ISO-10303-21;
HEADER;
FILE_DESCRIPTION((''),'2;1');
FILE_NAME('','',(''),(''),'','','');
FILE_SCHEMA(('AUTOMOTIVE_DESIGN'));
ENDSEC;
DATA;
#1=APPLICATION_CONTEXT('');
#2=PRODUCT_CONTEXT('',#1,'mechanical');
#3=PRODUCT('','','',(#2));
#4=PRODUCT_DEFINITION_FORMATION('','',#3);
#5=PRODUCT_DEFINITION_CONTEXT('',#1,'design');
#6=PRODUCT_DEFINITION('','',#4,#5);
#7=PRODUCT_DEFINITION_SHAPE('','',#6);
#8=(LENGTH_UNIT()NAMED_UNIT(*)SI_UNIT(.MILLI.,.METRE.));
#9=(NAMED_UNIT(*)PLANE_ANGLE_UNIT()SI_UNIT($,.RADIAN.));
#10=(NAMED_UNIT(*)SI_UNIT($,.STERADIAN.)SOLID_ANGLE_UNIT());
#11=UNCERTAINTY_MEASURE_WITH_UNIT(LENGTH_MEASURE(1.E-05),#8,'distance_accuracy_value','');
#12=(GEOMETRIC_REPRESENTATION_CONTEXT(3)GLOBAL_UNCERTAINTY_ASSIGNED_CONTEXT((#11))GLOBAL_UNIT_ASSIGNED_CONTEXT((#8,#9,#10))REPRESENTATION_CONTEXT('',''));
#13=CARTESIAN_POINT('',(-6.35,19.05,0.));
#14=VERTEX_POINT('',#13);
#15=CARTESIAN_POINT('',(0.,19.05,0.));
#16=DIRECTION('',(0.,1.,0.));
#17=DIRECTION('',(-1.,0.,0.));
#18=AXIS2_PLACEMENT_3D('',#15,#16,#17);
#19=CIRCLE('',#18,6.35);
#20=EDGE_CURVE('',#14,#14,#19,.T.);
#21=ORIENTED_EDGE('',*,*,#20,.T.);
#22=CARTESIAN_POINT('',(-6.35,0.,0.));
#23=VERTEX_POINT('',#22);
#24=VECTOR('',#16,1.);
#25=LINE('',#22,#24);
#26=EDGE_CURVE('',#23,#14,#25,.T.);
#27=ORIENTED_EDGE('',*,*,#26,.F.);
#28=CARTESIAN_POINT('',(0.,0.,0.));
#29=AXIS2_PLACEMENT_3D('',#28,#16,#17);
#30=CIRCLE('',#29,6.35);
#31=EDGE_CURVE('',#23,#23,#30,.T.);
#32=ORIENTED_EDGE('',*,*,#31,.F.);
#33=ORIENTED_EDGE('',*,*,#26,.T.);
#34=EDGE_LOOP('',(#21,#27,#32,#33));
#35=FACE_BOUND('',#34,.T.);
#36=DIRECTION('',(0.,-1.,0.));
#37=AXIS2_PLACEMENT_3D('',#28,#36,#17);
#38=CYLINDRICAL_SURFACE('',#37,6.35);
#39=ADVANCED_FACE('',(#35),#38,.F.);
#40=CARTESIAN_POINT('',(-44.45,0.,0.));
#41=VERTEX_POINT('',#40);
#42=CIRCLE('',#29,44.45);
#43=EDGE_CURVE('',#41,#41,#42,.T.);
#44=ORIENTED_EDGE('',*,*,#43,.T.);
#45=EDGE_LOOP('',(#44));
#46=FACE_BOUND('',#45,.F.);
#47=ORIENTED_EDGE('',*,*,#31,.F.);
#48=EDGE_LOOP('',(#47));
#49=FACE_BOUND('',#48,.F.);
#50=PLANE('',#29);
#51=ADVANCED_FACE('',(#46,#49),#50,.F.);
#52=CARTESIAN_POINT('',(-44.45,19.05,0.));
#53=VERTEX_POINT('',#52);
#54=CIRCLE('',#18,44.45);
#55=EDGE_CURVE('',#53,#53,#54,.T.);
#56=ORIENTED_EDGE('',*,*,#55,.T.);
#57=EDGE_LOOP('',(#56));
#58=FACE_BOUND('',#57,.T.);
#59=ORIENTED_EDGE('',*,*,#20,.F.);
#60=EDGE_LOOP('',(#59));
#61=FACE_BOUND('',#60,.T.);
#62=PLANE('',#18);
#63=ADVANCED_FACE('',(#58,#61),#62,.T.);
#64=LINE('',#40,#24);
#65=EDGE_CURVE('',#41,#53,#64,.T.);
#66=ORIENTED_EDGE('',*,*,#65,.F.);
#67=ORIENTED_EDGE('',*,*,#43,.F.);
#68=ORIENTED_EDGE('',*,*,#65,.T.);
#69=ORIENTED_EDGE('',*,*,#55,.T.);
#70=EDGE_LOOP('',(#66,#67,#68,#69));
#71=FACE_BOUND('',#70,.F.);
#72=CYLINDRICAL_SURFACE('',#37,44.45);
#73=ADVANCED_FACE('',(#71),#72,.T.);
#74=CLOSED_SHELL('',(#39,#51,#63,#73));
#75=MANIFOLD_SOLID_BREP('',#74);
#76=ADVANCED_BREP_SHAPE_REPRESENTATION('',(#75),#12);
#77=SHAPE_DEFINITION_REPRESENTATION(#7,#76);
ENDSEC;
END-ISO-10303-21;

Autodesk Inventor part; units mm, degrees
ref_plane "YZ Plane" through (0, 0, 0) normal (1, 0, 0) x (0, 1, 0)
ref_plane "XZ Plane" through (0, 0, 0) normal (0, 1, 0) x (-1, 0, 0)
ref_plane "XY Plane" through (0, 0, 0) normal (0, 0, 1) x (1, 0, 0)
sketch "Sketch1" plane through (0, 0, 0) normal (0, 1, 0) x (-1, 0, 0)
  circle A0 centre (0, 0) radius 44.45
  circle A1 centre (0, 0) radius 6.35
  dimension "d0" = 88.9
  dimension "d1" = 12.7
extrude "Extrusion1" add sketch "Sketch1" along normal blind 19.05
properties part number "grabber wheels"
